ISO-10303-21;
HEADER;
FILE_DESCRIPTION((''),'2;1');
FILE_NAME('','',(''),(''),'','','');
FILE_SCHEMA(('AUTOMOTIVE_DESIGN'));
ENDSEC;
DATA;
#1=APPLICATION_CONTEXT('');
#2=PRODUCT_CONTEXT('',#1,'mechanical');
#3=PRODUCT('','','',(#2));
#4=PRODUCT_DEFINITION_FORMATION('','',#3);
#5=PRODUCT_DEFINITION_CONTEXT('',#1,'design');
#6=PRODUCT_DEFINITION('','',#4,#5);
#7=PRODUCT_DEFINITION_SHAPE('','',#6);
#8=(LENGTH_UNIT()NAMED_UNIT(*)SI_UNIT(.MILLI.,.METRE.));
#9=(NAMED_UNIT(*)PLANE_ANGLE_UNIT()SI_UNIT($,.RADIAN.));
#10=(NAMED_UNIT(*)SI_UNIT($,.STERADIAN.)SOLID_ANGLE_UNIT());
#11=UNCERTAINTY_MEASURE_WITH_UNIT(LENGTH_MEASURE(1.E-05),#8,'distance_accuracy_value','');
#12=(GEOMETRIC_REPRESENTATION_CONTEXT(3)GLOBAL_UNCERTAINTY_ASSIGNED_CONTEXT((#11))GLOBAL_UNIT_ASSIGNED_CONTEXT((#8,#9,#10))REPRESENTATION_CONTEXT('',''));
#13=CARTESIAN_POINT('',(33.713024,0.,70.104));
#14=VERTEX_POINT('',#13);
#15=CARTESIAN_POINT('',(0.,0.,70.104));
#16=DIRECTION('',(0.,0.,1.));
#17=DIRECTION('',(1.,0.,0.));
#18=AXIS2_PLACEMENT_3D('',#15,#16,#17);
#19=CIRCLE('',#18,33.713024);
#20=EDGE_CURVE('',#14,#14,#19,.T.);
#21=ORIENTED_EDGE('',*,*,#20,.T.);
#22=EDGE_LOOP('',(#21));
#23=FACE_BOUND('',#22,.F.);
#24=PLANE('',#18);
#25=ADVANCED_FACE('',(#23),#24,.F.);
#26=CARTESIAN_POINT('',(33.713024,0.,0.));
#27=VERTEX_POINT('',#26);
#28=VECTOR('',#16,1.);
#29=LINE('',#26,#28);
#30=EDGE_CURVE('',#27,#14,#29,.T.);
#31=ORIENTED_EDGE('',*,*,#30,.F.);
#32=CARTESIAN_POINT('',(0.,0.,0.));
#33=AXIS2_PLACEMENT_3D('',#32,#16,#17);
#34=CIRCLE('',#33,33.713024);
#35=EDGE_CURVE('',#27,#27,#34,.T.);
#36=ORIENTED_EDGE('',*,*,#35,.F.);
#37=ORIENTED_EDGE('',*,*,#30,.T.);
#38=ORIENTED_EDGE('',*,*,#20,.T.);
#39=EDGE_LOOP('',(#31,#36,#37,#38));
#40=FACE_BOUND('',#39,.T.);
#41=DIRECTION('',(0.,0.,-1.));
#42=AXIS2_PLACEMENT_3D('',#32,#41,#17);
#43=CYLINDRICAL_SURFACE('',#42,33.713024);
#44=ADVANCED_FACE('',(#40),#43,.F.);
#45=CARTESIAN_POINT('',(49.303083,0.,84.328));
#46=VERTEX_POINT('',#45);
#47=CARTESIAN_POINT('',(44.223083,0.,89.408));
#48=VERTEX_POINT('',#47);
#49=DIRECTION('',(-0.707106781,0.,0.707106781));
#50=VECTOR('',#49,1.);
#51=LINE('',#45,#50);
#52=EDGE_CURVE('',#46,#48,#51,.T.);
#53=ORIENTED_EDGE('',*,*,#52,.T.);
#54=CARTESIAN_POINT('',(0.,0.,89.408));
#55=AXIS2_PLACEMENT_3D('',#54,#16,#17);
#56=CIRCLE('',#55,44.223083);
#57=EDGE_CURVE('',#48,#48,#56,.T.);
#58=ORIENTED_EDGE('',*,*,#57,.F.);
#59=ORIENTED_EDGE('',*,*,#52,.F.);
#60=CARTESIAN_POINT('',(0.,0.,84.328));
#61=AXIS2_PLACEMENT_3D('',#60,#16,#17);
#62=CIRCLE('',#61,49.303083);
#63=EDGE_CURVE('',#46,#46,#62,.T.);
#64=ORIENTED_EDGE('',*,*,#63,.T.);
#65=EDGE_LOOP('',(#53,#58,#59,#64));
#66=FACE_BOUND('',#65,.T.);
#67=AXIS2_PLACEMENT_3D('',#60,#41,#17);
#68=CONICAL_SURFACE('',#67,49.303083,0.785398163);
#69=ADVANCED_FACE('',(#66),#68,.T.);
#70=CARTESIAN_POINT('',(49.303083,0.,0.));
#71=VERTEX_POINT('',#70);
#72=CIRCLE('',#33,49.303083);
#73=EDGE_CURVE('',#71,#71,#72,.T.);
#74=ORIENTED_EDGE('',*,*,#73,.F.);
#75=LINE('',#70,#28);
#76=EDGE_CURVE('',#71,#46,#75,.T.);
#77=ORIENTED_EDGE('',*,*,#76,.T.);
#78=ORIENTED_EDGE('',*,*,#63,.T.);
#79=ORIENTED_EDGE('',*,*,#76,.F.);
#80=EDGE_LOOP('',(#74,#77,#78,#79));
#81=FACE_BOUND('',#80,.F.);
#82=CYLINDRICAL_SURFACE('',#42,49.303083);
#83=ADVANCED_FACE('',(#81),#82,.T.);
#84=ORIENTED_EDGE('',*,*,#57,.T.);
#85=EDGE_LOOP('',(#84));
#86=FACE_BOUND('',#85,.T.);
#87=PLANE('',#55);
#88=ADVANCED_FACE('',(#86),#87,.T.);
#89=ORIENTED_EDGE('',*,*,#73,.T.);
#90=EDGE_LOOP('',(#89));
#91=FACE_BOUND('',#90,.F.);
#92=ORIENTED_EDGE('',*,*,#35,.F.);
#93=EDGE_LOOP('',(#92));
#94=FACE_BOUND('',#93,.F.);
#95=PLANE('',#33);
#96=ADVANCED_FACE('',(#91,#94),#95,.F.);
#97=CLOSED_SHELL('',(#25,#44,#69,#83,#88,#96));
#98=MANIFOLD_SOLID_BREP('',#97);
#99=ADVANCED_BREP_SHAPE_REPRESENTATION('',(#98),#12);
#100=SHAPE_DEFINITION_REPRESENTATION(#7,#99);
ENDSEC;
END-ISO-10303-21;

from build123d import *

# Parameters (mm, degrees)
F0_R     = 49.303083
F1_DEPTH = 89.408
F2_SIZE  = 5.08
F3_R     = 33.713024
F4_DEPTH = 70.104


with BuildPart() as f1:
    # F0 (on Top) → F1 (new body)
    with BuildSketch(Plane.XY):
        Circle(F0_R)
    extrude(amount=F1_DEPTH)

    # F2
    f2_edges = [f1.edges().sort_by_distance(p)[0] for p in [
        (-49.303083, 0, 89.408),
    ]]
    chamfer(f2_edges, length=F2_SIZE)

    # F3 (on Top) → F4 (cut)
    with BuildSketch(Plane.XY):
        Circle(F3_R)
    extrude(amount=F4_DEPTH, mode=Mode.SUBTRACT)


solid = f1.part
